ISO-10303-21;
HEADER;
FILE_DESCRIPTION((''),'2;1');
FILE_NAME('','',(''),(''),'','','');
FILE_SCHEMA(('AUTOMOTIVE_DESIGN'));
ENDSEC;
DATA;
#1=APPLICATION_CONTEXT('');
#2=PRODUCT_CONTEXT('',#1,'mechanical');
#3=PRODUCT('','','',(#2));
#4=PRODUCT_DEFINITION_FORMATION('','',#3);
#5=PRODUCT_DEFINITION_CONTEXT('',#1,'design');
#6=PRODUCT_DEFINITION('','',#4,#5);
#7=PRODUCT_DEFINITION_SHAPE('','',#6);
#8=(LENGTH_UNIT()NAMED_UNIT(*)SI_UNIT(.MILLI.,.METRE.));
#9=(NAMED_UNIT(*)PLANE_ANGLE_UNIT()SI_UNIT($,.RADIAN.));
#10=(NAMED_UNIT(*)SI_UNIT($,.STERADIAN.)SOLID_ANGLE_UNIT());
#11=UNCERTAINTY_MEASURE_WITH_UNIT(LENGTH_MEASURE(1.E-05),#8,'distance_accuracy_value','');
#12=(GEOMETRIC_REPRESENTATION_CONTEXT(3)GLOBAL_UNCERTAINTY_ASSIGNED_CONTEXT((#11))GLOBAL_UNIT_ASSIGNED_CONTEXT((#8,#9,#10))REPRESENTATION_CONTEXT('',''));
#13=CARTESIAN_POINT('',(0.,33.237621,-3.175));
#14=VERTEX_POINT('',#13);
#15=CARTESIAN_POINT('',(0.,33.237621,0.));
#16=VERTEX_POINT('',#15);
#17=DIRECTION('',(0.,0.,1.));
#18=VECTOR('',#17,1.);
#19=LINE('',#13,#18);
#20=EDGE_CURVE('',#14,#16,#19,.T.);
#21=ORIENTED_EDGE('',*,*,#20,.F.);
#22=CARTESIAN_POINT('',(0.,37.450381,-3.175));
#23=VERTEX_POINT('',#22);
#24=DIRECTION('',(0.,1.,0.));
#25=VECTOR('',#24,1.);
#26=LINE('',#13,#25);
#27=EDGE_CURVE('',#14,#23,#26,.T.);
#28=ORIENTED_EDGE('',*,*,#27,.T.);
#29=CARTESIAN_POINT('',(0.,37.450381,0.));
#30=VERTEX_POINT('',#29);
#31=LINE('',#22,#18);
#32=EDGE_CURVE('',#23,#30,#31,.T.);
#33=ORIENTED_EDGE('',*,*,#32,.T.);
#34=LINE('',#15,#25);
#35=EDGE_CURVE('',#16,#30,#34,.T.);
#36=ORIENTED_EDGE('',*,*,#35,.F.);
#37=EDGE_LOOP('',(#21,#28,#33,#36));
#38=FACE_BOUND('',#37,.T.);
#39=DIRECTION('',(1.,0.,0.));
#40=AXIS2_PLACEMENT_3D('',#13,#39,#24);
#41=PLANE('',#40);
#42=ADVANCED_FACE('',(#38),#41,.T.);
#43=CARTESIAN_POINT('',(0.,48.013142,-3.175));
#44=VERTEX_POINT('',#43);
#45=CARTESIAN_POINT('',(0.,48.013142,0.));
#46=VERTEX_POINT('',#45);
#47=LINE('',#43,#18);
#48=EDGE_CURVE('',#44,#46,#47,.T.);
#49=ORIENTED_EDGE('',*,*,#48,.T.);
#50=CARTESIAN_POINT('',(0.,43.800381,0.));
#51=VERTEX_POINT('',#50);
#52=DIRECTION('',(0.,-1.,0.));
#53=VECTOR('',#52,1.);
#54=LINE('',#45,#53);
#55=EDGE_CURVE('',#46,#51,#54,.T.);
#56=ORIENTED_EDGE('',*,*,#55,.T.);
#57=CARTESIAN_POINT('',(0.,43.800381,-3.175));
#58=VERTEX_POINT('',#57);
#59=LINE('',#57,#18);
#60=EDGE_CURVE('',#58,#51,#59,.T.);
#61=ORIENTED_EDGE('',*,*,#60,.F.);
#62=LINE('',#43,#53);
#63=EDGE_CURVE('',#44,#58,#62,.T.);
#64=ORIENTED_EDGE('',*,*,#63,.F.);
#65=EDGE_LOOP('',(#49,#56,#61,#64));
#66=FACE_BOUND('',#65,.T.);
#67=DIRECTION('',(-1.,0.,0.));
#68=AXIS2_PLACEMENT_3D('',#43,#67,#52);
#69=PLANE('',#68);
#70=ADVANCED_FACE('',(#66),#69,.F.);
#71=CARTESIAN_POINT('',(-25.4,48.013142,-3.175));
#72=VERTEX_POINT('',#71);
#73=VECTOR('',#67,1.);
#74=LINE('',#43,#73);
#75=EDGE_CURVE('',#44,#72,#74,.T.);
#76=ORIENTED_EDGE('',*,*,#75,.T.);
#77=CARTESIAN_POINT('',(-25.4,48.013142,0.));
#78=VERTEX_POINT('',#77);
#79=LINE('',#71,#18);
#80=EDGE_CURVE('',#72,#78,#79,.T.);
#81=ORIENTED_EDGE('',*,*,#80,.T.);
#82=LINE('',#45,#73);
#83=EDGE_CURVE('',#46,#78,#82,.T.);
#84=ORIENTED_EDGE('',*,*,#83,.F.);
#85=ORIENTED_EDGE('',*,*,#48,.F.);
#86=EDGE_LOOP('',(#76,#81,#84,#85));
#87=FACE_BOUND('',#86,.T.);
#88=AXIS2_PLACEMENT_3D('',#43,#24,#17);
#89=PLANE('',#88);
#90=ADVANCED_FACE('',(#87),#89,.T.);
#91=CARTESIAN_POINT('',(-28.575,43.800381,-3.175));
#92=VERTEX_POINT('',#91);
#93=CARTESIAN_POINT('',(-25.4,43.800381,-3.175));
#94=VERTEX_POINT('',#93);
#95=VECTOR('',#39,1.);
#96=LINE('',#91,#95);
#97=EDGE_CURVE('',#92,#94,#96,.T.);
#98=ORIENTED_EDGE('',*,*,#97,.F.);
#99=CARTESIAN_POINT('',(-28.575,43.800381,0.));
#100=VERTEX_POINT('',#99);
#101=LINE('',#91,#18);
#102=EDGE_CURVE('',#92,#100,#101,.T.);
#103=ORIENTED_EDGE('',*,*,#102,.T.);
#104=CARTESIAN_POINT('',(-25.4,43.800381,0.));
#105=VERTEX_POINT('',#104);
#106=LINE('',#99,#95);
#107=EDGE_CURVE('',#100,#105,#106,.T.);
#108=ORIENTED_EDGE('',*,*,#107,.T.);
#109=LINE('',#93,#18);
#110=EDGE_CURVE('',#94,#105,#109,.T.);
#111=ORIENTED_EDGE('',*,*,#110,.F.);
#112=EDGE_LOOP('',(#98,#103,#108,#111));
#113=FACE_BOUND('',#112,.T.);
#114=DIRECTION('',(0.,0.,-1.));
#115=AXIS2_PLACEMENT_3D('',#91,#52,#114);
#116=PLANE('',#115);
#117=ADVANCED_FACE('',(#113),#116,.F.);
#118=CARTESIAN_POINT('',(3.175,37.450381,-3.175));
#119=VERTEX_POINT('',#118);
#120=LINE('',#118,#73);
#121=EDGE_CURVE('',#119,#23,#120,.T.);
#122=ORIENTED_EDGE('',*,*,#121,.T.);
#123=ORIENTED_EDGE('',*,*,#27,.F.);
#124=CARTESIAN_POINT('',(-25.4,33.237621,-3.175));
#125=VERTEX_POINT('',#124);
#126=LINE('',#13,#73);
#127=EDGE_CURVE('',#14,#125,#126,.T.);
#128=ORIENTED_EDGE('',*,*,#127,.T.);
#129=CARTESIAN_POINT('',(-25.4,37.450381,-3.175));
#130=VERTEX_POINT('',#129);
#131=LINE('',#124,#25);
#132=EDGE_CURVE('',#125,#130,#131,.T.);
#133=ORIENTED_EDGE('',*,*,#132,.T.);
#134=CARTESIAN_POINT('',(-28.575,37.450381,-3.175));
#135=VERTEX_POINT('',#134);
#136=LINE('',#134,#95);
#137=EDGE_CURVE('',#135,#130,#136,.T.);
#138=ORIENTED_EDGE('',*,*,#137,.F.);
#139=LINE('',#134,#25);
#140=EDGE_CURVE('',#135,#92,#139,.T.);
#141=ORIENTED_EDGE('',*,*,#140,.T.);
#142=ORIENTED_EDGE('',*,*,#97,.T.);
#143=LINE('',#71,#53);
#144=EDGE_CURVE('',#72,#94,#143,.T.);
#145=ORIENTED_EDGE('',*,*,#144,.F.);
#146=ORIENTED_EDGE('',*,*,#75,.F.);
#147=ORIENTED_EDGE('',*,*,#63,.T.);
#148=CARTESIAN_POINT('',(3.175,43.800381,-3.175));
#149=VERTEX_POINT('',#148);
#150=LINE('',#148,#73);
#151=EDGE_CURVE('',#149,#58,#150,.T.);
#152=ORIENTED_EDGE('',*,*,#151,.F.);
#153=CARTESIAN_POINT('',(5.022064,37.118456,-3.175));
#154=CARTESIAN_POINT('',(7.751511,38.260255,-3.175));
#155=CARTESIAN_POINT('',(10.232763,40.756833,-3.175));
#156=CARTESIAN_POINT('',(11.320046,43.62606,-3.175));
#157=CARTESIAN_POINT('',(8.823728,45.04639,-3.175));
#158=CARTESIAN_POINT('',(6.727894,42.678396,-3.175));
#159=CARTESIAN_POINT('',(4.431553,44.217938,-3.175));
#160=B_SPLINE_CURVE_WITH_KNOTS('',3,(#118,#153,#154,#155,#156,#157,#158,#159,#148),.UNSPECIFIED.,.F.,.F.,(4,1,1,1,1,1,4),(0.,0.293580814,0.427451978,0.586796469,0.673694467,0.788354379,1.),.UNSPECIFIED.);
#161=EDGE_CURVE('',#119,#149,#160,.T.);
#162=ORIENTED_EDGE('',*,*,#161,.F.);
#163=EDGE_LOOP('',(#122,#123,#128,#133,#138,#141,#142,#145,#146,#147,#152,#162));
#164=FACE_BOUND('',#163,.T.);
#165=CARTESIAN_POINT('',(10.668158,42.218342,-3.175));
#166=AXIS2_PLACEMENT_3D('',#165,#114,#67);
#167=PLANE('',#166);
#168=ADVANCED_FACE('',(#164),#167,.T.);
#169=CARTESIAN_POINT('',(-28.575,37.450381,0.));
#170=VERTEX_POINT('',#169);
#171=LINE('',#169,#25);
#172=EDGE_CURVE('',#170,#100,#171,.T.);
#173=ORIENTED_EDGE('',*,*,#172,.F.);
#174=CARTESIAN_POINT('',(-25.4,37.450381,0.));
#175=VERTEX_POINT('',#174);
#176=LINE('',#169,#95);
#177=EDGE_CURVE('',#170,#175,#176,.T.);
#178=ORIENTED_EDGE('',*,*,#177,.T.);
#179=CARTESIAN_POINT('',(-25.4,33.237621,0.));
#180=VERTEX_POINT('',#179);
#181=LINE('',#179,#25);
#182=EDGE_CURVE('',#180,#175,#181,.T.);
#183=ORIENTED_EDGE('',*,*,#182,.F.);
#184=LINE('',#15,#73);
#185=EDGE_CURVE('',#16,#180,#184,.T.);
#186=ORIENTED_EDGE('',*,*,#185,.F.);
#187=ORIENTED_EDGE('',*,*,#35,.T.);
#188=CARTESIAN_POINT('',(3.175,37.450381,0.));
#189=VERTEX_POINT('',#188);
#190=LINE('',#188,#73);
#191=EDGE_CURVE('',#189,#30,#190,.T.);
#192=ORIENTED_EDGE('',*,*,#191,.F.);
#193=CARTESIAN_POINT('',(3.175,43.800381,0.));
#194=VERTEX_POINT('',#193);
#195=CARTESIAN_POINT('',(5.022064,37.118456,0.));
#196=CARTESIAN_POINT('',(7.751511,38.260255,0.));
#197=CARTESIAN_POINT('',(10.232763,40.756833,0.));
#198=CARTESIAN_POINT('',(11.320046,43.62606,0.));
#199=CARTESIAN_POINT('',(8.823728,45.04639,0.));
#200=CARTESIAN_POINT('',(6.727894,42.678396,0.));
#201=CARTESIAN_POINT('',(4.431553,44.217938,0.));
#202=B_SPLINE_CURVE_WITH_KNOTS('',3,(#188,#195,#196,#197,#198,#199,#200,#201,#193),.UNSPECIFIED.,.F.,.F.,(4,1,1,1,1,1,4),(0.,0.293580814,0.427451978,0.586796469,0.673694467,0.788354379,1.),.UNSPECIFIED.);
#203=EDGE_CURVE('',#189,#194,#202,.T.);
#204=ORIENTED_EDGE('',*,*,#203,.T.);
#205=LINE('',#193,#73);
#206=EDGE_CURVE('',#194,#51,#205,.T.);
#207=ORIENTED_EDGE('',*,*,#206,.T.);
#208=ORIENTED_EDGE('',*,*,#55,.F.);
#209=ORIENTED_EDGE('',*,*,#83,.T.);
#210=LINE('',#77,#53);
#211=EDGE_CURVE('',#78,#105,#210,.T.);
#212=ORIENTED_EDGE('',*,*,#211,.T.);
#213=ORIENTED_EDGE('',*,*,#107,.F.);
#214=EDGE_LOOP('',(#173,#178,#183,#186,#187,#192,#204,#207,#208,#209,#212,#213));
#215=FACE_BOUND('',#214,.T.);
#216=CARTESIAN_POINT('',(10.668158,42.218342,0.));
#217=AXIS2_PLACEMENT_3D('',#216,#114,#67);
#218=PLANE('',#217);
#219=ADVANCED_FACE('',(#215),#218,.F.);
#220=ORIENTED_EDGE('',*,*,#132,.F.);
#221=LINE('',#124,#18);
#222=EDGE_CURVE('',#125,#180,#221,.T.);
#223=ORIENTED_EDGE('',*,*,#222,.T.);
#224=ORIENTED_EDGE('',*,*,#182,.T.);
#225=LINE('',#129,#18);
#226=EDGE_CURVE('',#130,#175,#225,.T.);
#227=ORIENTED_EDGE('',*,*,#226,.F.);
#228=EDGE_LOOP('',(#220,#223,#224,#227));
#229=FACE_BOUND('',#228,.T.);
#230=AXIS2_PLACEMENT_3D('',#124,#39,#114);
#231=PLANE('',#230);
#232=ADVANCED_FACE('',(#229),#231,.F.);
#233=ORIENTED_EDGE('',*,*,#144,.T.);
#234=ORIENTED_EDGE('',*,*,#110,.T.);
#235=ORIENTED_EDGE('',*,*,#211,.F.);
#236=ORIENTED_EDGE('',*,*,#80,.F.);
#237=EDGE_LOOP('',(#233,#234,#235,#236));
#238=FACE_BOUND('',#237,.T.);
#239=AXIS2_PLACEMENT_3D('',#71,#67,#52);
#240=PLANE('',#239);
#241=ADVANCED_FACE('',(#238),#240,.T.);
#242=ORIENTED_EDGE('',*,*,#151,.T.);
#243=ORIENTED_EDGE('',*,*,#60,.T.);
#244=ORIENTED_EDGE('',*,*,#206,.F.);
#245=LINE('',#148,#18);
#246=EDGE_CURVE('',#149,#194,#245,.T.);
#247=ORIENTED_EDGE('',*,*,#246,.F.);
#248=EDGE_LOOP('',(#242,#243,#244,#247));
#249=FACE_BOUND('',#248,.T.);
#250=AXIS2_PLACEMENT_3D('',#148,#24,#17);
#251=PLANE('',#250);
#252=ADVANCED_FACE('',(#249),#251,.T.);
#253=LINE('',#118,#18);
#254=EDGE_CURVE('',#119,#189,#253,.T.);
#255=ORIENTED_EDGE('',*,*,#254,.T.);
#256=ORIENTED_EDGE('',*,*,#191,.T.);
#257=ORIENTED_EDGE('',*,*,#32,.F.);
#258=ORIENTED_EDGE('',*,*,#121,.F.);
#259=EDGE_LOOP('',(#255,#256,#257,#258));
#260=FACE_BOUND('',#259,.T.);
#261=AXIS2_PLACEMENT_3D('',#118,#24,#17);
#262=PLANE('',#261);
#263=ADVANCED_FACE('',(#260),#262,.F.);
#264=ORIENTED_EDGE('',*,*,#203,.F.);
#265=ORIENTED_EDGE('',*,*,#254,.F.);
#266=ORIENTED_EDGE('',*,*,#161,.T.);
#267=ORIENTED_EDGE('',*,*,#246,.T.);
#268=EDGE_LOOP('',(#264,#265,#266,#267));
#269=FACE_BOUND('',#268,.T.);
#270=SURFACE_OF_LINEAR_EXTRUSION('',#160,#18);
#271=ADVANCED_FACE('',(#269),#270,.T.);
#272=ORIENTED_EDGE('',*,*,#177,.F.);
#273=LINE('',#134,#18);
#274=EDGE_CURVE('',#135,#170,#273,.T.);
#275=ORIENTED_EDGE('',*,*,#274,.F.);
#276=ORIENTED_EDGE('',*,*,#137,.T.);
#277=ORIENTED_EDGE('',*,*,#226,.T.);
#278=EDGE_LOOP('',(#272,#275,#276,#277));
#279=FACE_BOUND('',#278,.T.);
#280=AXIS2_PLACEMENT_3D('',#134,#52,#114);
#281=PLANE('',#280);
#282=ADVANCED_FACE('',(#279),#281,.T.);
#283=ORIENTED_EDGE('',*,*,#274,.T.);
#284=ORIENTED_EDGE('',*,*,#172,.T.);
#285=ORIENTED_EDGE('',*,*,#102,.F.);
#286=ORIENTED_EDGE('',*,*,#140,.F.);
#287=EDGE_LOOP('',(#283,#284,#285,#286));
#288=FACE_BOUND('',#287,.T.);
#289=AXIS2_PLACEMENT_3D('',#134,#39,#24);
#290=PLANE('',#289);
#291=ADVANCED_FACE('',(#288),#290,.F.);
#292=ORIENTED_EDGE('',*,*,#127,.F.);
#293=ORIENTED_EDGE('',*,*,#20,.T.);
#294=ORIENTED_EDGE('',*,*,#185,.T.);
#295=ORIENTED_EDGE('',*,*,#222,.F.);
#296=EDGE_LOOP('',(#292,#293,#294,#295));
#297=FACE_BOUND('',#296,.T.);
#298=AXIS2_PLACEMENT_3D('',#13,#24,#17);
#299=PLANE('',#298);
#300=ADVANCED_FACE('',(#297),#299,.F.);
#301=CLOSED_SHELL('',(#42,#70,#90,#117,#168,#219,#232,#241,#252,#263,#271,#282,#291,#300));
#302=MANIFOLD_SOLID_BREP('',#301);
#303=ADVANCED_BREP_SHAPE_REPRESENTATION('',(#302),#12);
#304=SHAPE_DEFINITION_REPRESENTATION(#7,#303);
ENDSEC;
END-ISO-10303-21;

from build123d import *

# Parameters (mm, degrees)
BOSS_EXTRUDE1_DEPTH = 3.175


with BuildPart() as part:
    # Sketch1 → Boss-Extrude1 (new body)
    with BuildSketch(Plane.XY):
        with BuildLine():
            Line((0, 33.23762074), (-25.4, 33.23762074))
            Line((-25.4, 33.23762074), (-25.4, 37.450381497))
            Line((-25.4, 37.450381497), (-28.575, 37.450381497))
            Line((-28.575, 37.450381497), (-28.575, 43.800381497))
            Line((-28.575, 43.800381497), (-25.4, 43.800381497))
            Line((-25.4, 43.800381497), (-25.4, 48.013142253))
            Line((-25.4, 48.013142253), (0, 48.013142253))
            Line((0, 48.013142253), (0, 43.800381497))
            Line((0, 43.800381497), (3.175, 43.800381497))
            add(Edge.make_bspline(
                [(3.175, 37.450381497), (5.022063889, 37.118455803), (7.751511416, 38.26025543), (10.232762973, 40.756833062), (11.320046176, 43.626059772), (8.823727593, 45.046390193), (6.727894231, 42.678395659), (4.43155314, 44.217938487), (3.175, 43.800381497)],
                knots=[0, 0, 0, 0, 0.293580814, 0.427451978, 0.586796469, 0.673694467, 0.788354379, 1, 1, 1, 1], degree=3))
            Line((3.175, 37.450381497), (0, 37.450381497))
            Line((0, 37.450381497), (0, 33.23762074))
        make_face()
    extrude(amount=-BOSS_EXTRUDE1_DEPTH)


solid = part.part
